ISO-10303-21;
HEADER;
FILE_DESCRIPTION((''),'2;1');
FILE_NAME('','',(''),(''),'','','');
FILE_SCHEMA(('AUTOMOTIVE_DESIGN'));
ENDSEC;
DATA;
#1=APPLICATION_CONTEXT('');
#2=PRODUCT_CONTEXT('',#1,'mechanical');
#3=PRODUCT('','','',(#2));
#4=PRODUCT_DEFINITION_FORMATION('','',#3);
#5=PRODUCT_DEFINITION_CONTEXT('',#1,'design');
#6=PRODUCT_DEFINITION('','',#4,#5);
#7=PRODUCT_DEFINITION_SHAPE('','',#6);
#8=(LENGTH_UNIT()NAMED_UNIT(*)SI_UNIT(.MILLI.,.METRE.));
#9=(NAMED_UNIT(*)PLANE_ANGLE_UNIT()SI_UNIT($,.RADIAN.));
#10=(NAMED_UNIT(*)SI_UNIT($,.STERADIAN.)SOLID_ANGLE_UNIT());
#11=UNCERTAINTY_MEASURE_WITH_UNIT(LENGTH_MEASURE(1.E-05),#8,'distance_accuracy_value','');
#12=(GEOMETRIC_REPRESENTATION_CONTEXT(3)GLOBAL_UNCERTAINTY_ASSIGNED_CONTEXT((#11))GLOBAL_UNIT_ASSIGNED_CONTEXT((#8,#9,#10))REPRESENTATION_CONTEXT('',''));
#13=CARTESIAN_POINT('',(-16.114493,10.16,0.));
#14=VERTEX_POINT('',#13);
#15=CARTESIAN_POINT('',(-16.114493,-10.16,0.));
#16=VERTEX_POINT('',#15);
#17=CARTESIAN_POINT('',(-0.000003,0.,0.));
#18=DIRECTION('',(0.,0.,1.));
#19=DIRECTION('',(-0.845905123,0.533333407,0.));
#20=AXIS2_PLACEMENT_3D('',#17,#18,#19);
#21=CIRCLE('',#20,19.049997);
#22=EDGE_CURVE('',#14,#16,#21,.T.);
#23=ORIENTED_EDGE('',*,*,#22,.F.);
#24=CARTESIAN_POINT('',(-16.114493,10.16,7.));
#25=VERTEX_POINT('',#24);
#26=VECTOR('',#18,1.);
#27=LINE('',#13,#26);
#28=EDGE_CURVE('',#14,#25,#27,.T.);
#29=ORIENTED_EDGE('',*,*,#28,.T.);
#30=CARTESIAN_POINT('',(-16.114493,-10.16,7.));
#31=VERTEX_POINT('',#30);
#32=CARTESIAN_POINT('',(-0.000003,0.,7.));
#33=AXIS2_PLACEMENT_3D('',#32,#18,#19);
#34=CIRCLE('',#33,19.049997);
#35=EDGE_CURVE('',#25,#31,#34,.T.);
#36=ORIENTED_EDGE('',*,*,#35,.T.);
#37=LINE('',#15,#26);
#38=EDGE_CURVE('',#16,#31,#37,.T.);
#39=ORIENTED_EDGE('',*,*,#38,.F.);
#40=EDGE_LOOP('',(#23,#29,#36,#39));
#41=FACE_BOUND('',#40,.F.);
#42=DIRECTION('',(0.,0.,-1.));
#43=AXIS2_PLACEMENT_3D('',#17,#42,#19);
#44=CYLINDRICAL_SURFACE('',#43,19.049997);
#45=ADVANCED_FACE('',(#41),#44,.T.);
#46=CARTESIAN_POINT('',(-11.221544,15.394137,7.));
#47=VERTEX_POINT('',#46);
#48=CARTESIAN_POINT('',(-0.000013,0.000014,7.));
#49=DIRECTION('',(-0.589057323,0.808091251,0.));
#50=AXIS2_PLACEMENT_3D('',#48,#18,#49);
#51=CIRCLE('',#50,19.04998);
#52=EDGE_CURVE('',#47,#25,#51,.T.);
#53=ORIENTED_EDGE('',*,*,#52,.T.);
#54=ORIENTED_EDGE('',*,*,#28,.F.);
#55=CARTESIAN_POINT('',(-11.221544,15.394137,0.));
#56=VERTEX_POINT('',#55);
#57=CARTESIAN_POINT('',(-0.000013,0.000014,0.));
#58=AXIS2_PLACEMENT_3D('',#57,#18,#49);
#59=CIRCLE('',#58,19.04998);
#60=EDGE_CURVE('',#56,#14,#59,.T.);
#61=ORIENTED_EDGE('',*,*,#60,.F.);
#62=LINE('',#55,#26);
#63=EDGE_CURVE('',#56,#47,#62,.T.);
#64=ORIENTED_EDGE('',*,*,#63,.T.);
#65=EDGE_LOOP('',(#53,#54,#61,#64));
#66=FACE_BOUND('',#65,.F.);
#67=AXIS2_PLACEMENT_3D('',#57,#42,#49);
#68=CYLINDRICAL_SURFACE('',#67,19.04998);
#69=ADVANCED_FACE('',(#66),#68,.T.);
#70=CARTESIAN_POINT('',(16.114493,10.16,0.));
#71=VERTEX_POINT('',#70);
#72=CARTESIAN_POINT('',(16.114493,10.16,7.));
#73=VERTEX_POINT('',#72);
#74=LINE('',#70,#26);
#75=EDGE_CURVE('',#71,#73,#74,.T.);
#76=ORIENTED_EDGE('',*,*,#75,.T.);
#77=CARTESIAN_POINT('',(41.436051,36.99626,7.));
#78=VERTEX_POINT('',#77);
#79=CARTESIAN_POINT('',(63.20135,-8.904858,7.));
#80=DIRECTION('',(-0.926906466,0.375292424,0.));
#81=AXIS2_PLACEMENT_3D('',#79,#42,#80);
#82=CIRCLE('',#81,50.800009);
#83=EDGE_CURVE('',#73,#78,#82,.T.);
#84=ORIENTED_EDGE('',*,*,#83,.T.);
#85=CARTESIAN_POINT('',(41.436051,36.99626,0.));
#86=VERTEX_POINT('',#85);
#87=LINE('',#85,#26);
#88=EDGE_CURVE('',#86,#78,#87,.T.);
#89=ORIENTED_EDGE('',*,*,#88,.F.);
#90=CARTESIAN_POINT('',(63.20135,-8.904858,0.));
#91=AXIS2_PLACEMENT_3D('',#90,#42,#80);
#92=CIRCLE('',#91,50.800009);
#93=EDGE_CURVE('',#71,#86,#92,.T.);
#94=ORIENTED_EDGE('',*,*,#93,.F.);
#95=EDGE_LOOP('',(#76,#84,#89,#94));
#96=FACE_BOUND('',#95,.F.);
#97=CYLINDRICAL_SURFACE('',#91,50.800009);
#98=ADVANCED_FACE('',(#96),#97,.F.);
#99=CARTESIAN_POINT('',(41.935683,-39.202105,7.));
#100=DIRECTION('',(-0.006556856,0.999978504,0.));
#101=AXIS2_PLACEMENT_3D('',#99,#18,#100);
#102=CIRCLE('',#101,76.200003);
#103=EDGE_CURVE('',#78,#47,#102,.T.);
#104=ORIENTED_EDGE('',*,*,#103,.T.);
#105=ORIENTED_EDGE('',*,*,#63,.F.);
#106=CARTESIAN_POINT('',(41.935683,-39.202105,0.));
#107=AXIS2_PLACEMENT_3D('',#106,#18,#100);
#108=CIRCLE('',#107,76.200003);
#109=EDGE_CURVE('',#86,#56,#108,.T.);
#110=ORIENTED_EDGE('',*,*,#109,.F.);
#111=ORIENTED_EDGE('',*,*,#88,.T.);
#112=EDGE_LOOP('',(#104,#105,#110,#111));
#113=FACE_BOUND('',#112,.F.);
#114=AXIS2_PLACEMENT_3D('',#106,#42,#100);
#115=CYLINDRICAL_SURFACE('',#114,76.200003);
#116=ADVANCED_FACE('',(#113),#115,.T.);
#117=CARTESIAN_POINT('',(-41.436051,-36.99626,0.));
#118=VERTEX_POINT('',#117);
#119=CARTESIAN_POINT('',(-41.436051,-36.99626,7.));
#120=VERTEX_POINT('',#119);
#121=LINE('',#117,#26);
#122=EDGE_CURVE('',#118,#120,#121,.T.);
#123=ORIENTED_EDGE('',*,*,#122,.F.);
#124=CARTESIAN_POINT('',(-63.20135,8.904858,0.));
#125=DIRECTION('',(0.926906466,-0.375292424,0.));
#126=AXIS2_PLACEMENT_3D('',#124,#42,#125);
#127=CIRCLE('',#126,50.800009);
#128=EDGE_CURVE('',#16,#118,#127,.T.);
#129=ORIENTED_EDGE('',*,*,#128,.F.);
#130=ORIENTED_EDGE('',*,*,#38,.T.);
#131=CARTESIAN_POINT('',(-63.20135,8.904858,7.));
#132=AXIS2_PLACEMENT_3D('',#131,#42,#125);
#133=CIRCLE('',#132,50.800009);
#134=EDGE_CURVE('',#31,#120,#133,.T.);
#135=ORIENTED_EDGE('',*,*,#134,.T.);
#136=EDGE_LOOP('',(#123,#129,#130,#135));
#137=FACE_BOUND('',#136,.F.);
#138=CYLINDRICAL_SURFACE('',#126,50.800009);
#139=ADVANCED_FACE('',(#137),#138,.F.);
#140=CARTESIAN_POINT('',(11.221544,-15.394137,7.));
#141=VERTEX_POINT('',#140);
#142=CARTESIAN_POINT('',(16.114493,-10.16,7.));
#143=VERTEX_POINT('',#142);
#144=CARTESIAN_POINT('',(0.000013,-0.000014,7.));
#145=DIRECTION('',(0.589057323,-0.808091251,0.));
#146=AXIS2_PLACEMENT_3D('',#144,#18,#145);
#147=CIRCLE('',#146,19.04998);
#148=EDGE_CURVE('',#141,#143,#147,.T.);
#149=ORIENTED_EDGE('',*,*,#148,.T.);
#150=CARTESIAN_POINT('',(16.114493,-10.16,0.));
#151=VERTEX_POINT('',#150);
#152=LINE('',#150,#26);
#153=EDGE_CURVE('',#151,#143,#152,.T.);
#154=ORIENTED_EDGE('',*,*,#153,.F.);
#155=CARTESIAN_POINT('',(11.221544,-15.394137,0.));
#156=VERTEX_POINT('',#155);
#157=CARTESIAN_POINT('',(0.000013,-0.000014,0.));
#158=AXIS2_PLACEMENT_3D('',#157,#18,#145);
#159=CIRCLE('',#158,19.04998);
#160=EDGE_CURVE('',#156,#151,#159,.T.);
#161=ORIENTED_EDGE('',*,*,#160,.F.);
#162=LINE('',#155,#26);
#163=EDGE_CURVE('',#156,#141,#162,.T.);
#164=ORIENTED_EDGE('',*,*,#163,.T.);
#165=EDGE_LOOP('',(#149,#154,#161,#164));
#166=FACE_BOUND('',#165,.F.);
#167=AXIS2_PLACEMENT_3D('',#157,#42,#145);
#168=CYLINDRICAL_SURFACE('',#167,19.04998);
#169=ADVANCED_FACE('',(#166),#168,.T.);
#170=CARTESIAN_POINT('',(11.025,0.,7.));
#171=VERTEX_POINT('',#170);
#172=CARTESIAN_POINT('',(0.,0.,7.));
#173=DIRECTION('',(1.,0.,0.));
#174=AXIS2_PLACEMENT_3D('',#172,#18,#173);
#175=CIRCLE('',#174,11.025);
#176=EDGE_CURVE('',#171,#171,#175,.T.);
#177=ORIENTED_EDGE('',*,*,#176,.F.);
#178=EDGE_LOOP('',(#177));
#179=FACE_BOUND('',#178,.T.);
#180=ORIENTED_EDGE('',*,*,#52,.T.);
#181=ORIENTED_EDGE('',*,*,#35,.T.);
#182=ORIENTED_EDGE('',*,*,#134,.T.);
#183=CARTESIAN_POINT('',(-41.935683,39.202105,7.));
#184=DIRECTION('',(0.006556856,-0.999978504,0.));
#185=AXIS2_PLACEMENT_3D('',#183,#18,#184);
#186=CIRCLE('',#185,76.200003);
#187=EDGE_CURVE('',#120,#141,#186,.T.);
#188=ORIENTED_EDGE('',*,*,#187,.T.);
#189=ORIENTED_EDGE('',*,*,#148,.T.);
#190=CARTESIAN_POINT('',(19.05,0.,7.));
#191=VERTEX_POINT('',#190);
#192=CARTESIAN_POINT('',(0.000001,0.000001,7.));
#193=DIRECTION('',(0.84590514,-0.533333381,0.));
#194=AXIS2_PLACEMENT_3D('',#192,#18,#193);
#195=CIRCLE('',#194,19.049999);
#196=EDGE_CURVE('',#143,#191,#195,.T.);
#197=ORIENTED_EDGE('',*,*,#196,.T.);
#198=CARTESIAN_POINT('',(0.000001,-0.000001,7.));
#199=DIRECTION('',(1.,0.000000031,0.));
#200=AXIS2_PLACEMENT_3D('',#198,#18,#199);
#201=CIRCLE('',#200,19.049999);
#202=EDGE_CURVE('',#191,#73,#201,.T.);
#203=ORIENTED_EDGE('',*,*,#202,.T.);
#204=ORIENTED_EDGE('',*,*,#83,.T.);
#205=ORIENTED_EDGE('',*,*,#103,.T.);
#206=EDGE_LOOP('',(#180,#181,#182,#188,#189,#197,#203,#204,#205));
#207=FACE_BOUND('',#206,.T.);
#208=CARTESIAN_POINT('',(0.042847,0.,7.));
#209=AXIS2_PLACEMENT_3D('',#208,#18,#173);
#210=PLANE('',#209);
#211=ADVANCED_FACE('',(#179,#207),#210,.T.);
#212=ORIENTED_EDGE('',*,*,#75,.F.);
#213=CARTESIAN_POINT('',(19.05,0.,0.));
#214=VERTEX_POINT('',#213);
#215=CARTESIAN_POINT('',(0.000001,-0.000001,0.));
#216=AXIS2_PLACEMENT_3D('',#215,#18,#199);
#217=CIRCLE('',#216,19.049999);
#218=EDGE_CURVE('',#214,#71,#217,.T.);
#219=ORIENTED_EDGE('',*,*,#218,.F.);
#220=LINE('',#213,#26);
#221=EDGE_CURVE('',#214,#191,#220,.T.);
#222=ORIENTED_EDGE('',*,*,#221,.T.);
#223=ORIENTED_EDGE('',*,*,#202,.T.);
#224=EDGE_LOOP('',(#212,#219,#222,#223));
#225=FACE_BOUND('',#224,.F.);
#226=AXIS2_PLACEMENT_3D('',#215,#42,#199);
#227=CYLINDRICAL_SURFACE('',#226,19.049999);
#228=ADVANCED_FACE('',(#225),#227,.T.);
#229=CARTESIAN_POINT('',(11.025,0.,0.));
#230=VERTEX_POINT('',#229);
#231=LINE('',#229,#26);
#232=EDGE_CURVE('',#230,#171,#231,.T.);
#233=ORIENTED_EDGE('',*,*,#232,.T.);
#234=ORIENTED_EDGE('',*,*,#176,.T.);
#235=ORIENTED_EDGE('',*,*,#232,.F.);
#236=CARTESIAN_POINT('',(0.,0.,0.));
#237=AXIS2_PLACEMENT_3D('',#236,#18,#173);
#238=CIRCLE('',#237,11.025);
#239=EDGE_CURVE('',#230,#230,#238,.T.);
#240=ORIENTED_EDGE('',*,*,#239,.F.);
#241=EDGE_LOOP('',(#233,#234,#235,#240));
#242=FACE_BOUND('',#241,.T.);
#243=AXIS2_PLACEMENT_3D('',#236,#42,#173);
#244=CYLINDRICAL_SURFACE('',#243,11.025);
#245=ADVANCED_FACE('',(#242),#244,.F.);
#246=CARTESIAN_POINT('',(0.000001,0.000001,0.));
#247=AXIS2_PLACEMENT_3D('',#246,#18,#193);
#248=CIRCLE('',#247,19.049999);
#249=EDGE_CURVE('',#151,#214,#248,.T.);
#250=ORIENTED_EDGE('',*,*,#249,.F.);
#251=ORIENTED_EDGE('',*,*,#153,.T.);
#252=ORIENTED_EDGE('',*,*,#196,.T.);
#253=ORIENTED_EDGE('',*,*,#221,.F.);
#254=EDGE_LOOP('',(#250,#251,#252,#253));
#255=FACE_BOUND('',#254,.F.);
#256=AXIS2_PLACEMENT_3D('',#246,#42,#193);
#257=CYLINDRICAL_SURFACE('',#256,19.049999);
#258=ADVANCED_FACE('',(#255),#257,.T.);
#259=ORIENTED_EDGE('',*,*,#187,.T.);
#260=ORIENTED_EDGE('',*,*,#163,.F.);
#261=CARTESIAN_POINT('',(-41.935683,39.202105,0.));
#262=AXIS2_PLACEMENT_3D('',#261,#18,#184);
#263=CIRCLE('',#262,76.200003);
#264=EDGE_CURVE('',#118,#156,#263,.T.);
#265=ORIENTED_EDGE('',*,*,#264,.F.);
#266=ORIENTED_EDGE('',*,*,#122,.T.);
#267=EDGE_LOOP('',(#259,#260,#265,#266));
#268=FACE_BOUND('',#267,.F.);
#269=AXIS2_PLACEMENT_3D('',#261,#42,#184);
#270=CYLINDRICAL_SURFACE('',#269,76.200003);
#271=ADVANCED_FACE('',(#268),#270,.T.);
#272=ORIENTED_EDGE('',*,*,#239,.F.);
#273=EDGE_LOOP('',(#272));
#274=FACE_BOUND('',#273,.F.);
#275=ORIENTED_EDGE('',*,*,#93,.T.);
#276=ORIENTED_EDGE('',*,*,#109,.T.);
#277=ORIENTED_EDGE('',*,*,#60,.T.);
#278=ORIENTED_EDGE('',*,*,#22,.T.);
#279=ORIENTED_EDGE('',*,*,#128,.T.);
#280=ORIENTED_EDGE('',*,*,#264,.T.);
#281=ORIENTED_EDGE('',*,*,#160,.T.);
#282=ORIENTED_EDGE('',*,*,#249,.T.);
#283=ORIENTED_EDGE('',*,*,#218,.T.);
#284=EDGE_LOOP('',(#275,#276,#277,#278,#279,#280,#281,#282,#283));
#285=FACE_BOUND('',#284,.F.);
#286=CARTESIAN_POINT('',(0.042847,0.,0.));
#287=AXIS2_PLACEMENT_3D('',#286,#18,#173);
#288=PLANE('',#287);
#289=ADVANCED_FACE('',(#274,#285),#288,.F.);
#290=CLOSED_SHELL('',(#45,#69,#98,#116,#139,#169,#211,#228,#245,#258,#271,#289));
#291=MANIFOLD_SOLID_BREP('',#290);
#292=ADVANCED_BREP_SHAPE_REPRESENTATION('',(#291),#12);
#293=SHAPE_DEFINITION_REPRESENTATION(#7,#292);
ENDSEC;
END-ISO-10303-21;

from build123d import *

# Parameters (mm, degrees)
F0_R     = 11.025
F1_DEPTH = 7


with BuildPart() as f1:
    # F0 (on Top) → F1 (new body)
    with BuildSketch(Plane.XY):
        with BuildLine():
            ThreePointArc((16.114493, -10.16), (18.301415, -5.287788), (19.05, 0))
            ThreePointArc((19.05, 0), (18.301415, 5.287788), (16.114493, 10.16))
            ThreePointArc((16.114493, 10.16), (3.582497, 18.71011), (-11.221544, 15.394137))
            ThreePointArc((-11.221544, 15.394137), (-13.729573, 12.83461), (-16.114493, 10.16))
            ThreePointArc((-16.114493, 10.16), (-19.05, 0), (-16.114493, -10.16))
            ThreePointArc((-16.114493, -10.16), (-3.582497, -18.71011), (11.221544, -15.394137))
            ThreePointArc((11.221544, -15.394137), (13.729573, -12.83461), (16.114493, -10.16))
        make_face()
        Circle(F0_R, mode=Mode.SUBTRACT)
        with BuildLine():
            ThreePointArc((-11.221544, 15.394137), (3.582497, 18.71011), (16.114493, 10.16))
            ThreePointArc((16.114493, 10.16), (26.252723, 25.958301), (41.436051, 36.99626))
            ThreePointArc((41.436051, 36.99626), (13.014625, 31.296213), (-11.221544, 15.394137))
        make_face()
        with BuildLine():
            ThreePointArc((-41.436051, -36.99626), (-13.014625, -31.296213), (11.221544, -15.394137))
            ThreePointArc((11.221544, -15.394137), (-3.582497, -18.71011), (-16.114493, -10.16))
            ThreePointArc((-16.114493, -10.16), (-26.252723, -25.958301), (-41.436051, -36.99626))
        make_face()
        with BuildLine():
            ThreePointArc((-16.114493, 10.16), (-13.729573, 12.83461), (-11.221544, 15.394137))
            ThreePointArc((-11.221544, 15.394137), (-13.916314, 13.009178), (-16.114493, 10.16))
        make_face()
        with BuildLine():
            ThreePointArc((11.221544, -15.394137), (13.916314, -13.009178), (16.114493, -10.16))
            ThreePointArc((16.114493, -10.16), (13.729573, -12.83461), (11.221544, -15.394137))
        make_face()
    extrude(amount=F1_DEPTH)


solid = f1.part
